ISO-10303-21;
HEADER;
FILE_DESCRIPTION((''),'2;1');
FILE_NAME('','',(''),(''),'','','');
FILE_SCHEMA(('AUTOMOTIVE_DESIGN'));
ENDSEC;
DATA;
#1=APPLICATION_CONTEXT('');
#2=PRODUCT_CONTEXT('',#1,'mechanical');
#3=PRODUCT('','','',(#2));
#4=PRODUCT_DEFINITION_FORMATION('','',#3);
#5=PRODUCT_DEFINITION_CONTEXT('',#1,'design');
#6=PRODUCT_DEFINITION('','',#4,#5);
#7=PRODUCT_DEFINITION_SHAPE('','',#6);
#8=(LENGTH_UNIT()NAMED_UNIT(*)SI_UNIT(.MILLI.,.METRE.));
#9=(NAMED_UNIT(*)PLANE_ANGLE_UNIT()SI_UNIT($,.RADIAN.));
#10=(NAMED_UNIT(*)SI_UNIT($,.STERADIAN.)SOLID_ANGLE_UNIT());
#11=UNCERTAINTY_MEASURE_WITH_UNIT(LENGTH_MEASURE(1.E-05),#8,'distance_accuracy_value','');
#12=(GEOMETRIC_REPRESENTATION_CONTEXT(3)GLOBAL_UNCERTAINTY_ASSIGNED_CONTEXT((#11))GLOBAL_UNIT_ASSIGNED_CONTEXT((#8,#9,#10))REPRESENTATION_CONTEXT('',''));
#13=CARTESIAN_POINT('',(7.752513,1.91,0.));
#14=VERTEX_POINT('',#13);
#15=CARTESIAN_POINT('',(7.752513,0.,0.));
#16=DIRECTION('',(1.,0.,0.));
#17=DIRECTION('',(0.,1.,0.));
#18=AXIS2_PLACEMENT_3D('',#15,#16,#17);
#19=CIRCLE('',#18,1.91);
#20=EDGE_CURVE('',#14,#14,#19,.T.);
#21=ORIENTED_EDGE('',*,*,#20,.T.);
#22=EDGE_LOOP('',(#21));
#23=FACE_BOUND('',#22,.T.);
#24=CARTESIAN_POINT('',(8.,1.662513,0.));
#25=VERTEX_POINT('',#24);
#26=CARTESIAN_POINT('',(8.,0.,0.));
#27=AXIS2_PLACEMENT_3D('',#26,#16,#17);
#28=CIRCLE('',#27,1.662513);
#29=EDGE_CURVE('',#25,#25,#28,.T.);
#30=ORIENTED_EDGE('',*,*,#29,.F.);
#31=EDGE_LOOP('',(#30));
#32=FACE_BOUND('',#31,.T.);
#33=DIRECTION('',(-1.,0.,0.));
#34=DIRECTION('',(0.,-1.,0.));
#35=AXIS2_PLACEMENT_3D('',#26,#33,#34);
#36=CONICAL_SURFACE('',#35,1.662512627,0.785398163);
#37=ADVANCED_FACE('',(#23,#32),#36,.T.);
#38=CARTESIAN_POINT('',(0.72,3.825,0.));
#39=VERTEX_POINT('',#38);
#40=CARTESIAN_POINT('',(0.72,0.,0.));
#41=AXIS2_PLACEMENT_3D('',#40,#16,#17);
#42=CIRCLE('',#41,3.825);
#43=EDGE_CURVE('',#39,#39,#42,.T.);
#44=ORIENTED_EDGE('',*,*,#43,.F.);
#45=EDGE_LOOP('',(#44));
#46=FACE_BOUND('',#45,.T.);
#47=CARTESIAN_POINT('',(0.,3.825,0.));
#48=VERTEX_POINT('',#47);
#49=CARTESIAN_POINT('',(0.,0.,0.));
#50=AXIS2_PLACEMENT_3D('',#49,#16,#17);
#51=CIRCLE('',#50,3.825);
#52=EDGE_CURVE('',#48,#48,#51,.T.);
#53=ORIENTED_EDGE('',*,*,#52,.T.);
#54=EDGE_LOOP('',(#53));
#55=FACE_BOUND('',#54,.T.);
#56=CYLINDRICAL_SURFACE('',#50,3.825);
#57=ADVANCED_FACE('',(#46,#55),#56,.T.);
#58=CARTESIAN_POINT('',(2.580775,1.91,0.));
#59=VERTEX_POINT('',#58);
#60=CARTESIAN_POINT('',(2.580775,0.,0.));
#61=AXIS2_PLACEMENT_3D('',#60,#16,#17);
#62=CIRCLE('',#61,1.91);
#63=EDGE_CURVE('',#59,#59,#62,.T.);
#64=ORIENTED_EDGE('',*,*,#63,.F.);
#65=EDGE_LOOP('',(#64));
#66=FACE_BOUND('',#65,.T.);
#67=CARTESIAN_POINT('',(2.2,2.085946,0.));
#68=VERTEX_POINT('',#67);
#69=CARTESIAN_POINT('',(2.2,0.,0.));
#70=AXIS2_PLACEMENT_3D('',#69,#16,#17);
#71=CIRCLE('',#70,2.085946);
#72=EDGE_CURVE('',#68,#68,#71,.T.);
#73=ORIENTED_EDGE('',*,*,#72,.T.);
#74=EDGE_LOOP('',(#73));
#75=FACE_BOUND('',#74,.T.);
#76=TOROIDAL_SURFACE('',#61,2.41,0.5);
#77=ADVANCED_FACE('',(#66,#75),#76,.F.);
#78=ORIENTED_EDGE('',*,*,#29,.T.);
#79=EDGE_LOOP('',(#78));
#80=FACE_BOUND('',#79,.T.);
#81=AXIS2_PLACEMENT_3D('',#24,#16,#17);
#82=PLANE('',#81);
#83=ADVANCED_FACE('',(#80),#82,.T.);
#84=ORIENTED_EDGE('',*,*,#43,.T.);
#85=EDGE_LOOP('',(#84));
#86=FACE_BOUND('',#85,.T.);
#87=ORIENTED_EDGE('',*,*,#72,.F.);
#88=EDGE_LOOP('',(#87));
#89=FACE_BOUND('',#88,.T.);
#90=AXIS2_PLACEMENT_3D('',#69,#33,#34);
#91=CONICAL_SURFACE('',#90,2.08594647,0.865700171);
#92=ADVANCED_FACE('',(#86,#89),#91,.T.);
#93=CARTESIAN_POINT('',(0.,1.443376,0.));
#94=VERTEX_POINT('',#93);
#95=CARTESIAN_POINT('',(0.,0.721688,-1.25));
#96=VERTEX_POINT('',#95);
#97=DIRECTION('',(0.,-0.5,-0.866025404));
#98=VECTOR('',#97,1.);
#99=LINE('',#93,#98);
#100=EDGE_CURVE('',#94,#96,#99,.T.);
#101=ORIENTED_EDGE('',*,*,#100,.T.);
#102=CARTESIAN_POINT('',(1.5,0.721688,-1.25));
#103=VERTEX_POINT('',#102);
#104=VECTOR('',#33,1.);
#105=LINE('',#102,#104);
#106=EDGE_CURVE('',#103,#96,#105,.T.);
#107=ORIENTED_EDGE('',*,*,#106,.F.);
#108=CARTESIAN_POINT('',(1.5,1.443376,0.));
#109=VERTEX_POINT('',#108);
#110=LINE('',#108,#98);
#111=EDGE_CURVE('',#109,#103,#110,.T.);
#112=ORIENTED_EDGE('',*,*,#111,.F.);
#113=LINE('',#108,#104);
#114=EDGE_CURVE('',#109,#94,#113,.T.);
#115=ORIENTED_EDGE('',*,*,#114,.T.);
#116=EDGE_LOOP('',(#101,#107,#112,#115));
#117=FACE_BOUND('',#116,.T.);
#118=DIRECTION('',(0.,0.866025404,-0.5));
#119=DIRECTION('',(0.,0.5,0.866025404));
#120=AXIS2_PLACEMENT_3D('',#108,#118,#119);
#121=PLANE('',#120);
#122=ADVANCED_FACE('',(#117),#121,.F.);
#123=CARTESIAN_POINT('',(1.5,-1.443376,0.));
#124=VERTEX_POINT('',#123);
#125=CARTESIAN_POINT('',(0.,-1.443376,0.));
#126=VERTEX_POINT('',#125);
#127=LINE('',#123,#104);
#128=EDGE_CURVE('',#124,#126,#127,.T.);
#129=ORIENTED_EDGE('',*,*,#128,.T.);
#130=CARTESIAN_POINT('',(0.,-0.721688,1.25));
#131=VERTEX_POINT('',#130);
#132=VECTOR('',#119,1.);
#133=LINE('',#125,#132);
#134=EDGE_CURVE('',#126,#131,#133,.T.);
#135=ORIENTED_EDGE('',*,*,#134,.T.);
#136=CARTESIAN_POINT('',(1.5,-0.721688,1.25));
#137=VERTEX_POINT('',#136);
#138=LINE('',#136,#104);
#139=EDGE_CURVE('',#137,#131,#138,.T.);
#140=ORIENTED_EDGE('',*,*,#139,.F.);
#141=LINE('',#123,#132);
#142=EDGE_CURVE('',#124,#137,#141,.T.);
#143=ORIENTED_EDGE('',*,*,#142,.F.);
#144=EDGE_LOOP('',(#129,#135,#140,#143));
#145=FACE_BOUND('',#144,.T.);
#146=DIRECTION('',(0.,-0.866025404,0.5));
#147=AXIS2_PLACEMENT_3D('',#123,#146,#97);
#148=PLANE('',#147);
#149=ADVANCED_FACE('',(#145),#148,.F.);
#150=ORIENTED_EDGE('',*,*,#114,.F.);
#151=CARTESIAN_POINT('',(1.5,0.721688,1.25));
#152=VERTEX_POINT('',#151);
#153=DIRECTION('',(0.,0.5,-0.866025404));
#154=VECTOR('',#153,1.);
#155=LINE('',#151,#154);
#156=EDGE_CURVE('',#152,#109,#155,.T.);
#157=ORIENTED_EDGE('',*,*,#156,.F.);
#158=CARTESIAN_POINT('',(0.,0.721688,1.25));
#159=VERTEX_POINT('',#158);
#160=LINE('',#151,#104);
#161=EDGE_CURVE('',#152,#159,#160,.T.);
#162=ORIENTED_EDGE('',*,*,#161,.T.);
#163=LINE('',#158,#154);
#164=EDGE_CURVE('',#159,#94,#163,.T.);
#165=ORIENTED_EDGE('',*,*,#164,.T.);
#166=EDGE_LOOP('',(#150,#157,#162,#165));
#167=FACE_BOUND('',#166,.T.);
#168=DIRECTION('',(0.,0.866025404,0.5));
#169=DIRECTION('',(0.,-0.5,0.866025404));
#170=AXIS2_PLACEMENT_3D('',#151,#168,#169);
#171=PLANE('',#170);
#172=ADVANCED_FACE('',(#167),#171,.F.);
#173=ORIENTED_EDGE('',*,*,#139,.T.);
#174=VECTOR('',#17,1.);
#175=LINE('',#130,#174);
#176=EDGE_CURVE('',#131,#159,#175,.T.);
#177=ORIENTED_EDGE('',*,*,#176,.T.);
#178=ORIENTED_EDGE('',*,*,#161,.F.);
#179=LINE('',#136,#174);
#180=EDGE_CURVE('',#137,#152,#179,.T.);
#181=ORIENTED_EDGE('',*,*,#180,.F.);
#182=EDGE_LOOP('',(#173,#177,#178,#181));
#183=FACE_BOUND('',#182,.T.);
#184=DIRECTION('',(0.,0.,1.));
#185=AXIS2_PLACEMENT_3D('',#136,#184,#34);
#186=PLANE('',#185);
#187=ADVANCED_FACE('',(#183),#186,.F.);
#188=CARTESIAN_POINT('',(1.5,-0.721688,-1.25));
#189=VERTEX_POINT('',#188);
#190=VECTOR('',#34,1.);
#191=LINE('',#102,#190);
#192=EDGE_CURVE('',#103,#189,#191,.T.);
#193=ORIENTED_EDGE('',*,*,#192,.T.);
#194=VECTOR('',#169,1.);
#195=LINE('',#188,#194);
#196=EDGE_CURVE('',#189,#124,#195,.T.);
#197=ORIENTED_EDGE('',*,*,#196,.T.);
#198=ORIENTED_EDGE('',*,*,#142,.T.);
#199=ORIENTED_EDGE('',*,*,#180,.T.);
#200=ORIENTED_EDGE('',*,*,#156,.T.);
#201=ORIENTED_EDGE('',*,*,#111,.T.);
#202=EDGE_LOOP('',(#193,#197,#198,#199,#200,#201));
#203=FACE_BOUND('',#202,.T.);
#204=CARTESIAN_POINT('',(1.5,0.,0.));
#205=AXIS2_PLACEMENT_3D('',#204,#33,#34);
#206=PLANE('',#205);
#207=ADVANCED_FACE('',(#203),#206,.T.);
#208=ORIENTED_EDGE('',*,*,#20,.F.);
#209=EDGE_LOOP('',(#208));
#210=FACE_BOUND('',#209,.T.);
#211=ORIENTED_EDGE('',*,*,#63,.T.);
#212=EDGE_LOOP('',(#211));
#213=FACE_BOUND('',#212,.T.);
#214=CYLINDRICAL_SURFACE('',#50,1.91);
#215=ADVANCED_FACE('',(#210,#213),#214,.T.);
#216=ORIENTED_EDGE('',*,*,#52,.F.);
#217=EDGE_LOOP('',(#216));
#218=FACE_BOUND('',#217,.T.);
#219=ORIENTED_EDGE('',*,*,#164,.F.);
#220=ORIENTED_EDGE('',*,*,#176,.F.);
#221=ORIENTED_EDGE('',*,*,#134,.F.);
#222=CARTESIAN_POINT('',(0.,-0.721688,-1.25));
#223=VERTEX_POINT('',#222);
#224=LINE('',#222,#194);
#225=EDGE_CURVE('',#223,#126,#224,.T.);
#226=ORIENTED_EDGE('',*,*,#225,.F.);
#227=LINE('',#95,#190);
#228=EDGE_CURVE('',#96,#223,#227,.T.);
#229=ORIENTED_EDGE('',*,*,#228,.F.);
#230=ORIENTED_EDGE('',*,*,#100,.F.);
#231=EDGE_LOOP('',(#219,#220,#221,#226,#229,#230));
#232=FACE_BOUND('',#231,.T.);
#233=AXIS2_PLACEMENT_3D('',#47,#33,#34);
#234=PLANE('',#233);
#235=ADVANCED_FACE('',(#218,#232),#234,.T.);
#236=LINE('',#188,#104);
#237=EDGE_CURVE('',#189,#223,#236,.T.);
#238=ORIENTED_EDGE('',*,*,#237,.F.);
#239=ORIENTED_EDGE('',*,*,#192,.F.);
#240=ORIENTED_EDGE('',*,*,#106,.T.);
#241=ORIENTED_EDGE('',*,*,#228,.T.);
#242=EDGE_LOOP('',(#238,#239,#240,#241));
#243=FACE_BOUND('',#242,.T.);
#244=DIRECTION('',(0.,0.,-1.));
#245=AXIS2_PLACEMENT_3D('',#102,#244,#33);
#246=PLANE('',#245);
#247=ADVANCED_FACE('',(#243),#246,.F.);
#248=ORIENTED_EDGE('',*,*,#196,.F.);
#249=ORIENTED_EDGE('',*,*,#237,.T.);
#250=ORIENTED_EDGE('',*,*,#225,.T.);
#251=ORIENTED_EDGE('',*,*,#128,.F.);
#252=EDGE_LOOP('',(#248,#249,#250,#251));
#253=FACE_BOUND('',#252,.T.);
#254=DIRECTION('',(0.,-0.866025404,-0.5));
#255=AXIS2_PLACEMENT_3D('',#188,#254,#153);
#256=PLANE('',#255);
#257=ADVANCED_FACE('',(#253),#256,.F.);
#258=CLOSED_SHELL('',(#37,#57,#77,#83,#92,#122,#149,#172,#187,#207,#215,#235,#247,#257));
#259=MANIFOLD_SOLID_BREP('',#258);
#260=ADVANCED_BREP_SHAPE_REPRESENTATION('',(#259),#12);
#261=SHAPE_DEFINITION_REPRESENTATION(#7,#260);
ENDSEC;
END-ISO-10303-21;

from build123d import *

# Parameters (mm, degrees)
CUT_EXTRUDE1_DEPTH = 1.5


with BuildPart() as part:
    # Sketch1 → Revolve1 (revolve)
    with BuildSketch(Plane.XY):
        with BuildLine():
            Line((2.580774618, 1.91), (7.752512627, 1.91))
            Line((7.752512627, 1.91), (8, 1.662512627))
            Line((8, 1.662512627), (8, 0))
            Line((8, 0), (0, 0))
            Line((0, 0), (0, 3.825))
            Line((0, 3.825), (0.72, 3.825))
            Line((0.72, 3.825), (2.2, 2.08594647))
            ThreePointArc((2.2, 2.08594647), (2.37104475, 1.956113029), (2.580774618, 1.91))
        make_face()
    revolve(axis=Axis((0, 0, 0), (-1, 0, 0)))

    # Sketch2 → Cut-Extrude1 (cut)
    with BuildSketch(Plane.ZY):
        Polygon((1.25, 0.721687836), (0, 1.443375673), (-1.25, 0.721687836), (-1.25, -0.721687836), (0, -1.443375673), (1.25, -0.721687836), align=None)
    extrude(amount=-CUT_EXTRUDE1_DEPTH, mode=Mode.SUBTRACT)


solid = part.part
